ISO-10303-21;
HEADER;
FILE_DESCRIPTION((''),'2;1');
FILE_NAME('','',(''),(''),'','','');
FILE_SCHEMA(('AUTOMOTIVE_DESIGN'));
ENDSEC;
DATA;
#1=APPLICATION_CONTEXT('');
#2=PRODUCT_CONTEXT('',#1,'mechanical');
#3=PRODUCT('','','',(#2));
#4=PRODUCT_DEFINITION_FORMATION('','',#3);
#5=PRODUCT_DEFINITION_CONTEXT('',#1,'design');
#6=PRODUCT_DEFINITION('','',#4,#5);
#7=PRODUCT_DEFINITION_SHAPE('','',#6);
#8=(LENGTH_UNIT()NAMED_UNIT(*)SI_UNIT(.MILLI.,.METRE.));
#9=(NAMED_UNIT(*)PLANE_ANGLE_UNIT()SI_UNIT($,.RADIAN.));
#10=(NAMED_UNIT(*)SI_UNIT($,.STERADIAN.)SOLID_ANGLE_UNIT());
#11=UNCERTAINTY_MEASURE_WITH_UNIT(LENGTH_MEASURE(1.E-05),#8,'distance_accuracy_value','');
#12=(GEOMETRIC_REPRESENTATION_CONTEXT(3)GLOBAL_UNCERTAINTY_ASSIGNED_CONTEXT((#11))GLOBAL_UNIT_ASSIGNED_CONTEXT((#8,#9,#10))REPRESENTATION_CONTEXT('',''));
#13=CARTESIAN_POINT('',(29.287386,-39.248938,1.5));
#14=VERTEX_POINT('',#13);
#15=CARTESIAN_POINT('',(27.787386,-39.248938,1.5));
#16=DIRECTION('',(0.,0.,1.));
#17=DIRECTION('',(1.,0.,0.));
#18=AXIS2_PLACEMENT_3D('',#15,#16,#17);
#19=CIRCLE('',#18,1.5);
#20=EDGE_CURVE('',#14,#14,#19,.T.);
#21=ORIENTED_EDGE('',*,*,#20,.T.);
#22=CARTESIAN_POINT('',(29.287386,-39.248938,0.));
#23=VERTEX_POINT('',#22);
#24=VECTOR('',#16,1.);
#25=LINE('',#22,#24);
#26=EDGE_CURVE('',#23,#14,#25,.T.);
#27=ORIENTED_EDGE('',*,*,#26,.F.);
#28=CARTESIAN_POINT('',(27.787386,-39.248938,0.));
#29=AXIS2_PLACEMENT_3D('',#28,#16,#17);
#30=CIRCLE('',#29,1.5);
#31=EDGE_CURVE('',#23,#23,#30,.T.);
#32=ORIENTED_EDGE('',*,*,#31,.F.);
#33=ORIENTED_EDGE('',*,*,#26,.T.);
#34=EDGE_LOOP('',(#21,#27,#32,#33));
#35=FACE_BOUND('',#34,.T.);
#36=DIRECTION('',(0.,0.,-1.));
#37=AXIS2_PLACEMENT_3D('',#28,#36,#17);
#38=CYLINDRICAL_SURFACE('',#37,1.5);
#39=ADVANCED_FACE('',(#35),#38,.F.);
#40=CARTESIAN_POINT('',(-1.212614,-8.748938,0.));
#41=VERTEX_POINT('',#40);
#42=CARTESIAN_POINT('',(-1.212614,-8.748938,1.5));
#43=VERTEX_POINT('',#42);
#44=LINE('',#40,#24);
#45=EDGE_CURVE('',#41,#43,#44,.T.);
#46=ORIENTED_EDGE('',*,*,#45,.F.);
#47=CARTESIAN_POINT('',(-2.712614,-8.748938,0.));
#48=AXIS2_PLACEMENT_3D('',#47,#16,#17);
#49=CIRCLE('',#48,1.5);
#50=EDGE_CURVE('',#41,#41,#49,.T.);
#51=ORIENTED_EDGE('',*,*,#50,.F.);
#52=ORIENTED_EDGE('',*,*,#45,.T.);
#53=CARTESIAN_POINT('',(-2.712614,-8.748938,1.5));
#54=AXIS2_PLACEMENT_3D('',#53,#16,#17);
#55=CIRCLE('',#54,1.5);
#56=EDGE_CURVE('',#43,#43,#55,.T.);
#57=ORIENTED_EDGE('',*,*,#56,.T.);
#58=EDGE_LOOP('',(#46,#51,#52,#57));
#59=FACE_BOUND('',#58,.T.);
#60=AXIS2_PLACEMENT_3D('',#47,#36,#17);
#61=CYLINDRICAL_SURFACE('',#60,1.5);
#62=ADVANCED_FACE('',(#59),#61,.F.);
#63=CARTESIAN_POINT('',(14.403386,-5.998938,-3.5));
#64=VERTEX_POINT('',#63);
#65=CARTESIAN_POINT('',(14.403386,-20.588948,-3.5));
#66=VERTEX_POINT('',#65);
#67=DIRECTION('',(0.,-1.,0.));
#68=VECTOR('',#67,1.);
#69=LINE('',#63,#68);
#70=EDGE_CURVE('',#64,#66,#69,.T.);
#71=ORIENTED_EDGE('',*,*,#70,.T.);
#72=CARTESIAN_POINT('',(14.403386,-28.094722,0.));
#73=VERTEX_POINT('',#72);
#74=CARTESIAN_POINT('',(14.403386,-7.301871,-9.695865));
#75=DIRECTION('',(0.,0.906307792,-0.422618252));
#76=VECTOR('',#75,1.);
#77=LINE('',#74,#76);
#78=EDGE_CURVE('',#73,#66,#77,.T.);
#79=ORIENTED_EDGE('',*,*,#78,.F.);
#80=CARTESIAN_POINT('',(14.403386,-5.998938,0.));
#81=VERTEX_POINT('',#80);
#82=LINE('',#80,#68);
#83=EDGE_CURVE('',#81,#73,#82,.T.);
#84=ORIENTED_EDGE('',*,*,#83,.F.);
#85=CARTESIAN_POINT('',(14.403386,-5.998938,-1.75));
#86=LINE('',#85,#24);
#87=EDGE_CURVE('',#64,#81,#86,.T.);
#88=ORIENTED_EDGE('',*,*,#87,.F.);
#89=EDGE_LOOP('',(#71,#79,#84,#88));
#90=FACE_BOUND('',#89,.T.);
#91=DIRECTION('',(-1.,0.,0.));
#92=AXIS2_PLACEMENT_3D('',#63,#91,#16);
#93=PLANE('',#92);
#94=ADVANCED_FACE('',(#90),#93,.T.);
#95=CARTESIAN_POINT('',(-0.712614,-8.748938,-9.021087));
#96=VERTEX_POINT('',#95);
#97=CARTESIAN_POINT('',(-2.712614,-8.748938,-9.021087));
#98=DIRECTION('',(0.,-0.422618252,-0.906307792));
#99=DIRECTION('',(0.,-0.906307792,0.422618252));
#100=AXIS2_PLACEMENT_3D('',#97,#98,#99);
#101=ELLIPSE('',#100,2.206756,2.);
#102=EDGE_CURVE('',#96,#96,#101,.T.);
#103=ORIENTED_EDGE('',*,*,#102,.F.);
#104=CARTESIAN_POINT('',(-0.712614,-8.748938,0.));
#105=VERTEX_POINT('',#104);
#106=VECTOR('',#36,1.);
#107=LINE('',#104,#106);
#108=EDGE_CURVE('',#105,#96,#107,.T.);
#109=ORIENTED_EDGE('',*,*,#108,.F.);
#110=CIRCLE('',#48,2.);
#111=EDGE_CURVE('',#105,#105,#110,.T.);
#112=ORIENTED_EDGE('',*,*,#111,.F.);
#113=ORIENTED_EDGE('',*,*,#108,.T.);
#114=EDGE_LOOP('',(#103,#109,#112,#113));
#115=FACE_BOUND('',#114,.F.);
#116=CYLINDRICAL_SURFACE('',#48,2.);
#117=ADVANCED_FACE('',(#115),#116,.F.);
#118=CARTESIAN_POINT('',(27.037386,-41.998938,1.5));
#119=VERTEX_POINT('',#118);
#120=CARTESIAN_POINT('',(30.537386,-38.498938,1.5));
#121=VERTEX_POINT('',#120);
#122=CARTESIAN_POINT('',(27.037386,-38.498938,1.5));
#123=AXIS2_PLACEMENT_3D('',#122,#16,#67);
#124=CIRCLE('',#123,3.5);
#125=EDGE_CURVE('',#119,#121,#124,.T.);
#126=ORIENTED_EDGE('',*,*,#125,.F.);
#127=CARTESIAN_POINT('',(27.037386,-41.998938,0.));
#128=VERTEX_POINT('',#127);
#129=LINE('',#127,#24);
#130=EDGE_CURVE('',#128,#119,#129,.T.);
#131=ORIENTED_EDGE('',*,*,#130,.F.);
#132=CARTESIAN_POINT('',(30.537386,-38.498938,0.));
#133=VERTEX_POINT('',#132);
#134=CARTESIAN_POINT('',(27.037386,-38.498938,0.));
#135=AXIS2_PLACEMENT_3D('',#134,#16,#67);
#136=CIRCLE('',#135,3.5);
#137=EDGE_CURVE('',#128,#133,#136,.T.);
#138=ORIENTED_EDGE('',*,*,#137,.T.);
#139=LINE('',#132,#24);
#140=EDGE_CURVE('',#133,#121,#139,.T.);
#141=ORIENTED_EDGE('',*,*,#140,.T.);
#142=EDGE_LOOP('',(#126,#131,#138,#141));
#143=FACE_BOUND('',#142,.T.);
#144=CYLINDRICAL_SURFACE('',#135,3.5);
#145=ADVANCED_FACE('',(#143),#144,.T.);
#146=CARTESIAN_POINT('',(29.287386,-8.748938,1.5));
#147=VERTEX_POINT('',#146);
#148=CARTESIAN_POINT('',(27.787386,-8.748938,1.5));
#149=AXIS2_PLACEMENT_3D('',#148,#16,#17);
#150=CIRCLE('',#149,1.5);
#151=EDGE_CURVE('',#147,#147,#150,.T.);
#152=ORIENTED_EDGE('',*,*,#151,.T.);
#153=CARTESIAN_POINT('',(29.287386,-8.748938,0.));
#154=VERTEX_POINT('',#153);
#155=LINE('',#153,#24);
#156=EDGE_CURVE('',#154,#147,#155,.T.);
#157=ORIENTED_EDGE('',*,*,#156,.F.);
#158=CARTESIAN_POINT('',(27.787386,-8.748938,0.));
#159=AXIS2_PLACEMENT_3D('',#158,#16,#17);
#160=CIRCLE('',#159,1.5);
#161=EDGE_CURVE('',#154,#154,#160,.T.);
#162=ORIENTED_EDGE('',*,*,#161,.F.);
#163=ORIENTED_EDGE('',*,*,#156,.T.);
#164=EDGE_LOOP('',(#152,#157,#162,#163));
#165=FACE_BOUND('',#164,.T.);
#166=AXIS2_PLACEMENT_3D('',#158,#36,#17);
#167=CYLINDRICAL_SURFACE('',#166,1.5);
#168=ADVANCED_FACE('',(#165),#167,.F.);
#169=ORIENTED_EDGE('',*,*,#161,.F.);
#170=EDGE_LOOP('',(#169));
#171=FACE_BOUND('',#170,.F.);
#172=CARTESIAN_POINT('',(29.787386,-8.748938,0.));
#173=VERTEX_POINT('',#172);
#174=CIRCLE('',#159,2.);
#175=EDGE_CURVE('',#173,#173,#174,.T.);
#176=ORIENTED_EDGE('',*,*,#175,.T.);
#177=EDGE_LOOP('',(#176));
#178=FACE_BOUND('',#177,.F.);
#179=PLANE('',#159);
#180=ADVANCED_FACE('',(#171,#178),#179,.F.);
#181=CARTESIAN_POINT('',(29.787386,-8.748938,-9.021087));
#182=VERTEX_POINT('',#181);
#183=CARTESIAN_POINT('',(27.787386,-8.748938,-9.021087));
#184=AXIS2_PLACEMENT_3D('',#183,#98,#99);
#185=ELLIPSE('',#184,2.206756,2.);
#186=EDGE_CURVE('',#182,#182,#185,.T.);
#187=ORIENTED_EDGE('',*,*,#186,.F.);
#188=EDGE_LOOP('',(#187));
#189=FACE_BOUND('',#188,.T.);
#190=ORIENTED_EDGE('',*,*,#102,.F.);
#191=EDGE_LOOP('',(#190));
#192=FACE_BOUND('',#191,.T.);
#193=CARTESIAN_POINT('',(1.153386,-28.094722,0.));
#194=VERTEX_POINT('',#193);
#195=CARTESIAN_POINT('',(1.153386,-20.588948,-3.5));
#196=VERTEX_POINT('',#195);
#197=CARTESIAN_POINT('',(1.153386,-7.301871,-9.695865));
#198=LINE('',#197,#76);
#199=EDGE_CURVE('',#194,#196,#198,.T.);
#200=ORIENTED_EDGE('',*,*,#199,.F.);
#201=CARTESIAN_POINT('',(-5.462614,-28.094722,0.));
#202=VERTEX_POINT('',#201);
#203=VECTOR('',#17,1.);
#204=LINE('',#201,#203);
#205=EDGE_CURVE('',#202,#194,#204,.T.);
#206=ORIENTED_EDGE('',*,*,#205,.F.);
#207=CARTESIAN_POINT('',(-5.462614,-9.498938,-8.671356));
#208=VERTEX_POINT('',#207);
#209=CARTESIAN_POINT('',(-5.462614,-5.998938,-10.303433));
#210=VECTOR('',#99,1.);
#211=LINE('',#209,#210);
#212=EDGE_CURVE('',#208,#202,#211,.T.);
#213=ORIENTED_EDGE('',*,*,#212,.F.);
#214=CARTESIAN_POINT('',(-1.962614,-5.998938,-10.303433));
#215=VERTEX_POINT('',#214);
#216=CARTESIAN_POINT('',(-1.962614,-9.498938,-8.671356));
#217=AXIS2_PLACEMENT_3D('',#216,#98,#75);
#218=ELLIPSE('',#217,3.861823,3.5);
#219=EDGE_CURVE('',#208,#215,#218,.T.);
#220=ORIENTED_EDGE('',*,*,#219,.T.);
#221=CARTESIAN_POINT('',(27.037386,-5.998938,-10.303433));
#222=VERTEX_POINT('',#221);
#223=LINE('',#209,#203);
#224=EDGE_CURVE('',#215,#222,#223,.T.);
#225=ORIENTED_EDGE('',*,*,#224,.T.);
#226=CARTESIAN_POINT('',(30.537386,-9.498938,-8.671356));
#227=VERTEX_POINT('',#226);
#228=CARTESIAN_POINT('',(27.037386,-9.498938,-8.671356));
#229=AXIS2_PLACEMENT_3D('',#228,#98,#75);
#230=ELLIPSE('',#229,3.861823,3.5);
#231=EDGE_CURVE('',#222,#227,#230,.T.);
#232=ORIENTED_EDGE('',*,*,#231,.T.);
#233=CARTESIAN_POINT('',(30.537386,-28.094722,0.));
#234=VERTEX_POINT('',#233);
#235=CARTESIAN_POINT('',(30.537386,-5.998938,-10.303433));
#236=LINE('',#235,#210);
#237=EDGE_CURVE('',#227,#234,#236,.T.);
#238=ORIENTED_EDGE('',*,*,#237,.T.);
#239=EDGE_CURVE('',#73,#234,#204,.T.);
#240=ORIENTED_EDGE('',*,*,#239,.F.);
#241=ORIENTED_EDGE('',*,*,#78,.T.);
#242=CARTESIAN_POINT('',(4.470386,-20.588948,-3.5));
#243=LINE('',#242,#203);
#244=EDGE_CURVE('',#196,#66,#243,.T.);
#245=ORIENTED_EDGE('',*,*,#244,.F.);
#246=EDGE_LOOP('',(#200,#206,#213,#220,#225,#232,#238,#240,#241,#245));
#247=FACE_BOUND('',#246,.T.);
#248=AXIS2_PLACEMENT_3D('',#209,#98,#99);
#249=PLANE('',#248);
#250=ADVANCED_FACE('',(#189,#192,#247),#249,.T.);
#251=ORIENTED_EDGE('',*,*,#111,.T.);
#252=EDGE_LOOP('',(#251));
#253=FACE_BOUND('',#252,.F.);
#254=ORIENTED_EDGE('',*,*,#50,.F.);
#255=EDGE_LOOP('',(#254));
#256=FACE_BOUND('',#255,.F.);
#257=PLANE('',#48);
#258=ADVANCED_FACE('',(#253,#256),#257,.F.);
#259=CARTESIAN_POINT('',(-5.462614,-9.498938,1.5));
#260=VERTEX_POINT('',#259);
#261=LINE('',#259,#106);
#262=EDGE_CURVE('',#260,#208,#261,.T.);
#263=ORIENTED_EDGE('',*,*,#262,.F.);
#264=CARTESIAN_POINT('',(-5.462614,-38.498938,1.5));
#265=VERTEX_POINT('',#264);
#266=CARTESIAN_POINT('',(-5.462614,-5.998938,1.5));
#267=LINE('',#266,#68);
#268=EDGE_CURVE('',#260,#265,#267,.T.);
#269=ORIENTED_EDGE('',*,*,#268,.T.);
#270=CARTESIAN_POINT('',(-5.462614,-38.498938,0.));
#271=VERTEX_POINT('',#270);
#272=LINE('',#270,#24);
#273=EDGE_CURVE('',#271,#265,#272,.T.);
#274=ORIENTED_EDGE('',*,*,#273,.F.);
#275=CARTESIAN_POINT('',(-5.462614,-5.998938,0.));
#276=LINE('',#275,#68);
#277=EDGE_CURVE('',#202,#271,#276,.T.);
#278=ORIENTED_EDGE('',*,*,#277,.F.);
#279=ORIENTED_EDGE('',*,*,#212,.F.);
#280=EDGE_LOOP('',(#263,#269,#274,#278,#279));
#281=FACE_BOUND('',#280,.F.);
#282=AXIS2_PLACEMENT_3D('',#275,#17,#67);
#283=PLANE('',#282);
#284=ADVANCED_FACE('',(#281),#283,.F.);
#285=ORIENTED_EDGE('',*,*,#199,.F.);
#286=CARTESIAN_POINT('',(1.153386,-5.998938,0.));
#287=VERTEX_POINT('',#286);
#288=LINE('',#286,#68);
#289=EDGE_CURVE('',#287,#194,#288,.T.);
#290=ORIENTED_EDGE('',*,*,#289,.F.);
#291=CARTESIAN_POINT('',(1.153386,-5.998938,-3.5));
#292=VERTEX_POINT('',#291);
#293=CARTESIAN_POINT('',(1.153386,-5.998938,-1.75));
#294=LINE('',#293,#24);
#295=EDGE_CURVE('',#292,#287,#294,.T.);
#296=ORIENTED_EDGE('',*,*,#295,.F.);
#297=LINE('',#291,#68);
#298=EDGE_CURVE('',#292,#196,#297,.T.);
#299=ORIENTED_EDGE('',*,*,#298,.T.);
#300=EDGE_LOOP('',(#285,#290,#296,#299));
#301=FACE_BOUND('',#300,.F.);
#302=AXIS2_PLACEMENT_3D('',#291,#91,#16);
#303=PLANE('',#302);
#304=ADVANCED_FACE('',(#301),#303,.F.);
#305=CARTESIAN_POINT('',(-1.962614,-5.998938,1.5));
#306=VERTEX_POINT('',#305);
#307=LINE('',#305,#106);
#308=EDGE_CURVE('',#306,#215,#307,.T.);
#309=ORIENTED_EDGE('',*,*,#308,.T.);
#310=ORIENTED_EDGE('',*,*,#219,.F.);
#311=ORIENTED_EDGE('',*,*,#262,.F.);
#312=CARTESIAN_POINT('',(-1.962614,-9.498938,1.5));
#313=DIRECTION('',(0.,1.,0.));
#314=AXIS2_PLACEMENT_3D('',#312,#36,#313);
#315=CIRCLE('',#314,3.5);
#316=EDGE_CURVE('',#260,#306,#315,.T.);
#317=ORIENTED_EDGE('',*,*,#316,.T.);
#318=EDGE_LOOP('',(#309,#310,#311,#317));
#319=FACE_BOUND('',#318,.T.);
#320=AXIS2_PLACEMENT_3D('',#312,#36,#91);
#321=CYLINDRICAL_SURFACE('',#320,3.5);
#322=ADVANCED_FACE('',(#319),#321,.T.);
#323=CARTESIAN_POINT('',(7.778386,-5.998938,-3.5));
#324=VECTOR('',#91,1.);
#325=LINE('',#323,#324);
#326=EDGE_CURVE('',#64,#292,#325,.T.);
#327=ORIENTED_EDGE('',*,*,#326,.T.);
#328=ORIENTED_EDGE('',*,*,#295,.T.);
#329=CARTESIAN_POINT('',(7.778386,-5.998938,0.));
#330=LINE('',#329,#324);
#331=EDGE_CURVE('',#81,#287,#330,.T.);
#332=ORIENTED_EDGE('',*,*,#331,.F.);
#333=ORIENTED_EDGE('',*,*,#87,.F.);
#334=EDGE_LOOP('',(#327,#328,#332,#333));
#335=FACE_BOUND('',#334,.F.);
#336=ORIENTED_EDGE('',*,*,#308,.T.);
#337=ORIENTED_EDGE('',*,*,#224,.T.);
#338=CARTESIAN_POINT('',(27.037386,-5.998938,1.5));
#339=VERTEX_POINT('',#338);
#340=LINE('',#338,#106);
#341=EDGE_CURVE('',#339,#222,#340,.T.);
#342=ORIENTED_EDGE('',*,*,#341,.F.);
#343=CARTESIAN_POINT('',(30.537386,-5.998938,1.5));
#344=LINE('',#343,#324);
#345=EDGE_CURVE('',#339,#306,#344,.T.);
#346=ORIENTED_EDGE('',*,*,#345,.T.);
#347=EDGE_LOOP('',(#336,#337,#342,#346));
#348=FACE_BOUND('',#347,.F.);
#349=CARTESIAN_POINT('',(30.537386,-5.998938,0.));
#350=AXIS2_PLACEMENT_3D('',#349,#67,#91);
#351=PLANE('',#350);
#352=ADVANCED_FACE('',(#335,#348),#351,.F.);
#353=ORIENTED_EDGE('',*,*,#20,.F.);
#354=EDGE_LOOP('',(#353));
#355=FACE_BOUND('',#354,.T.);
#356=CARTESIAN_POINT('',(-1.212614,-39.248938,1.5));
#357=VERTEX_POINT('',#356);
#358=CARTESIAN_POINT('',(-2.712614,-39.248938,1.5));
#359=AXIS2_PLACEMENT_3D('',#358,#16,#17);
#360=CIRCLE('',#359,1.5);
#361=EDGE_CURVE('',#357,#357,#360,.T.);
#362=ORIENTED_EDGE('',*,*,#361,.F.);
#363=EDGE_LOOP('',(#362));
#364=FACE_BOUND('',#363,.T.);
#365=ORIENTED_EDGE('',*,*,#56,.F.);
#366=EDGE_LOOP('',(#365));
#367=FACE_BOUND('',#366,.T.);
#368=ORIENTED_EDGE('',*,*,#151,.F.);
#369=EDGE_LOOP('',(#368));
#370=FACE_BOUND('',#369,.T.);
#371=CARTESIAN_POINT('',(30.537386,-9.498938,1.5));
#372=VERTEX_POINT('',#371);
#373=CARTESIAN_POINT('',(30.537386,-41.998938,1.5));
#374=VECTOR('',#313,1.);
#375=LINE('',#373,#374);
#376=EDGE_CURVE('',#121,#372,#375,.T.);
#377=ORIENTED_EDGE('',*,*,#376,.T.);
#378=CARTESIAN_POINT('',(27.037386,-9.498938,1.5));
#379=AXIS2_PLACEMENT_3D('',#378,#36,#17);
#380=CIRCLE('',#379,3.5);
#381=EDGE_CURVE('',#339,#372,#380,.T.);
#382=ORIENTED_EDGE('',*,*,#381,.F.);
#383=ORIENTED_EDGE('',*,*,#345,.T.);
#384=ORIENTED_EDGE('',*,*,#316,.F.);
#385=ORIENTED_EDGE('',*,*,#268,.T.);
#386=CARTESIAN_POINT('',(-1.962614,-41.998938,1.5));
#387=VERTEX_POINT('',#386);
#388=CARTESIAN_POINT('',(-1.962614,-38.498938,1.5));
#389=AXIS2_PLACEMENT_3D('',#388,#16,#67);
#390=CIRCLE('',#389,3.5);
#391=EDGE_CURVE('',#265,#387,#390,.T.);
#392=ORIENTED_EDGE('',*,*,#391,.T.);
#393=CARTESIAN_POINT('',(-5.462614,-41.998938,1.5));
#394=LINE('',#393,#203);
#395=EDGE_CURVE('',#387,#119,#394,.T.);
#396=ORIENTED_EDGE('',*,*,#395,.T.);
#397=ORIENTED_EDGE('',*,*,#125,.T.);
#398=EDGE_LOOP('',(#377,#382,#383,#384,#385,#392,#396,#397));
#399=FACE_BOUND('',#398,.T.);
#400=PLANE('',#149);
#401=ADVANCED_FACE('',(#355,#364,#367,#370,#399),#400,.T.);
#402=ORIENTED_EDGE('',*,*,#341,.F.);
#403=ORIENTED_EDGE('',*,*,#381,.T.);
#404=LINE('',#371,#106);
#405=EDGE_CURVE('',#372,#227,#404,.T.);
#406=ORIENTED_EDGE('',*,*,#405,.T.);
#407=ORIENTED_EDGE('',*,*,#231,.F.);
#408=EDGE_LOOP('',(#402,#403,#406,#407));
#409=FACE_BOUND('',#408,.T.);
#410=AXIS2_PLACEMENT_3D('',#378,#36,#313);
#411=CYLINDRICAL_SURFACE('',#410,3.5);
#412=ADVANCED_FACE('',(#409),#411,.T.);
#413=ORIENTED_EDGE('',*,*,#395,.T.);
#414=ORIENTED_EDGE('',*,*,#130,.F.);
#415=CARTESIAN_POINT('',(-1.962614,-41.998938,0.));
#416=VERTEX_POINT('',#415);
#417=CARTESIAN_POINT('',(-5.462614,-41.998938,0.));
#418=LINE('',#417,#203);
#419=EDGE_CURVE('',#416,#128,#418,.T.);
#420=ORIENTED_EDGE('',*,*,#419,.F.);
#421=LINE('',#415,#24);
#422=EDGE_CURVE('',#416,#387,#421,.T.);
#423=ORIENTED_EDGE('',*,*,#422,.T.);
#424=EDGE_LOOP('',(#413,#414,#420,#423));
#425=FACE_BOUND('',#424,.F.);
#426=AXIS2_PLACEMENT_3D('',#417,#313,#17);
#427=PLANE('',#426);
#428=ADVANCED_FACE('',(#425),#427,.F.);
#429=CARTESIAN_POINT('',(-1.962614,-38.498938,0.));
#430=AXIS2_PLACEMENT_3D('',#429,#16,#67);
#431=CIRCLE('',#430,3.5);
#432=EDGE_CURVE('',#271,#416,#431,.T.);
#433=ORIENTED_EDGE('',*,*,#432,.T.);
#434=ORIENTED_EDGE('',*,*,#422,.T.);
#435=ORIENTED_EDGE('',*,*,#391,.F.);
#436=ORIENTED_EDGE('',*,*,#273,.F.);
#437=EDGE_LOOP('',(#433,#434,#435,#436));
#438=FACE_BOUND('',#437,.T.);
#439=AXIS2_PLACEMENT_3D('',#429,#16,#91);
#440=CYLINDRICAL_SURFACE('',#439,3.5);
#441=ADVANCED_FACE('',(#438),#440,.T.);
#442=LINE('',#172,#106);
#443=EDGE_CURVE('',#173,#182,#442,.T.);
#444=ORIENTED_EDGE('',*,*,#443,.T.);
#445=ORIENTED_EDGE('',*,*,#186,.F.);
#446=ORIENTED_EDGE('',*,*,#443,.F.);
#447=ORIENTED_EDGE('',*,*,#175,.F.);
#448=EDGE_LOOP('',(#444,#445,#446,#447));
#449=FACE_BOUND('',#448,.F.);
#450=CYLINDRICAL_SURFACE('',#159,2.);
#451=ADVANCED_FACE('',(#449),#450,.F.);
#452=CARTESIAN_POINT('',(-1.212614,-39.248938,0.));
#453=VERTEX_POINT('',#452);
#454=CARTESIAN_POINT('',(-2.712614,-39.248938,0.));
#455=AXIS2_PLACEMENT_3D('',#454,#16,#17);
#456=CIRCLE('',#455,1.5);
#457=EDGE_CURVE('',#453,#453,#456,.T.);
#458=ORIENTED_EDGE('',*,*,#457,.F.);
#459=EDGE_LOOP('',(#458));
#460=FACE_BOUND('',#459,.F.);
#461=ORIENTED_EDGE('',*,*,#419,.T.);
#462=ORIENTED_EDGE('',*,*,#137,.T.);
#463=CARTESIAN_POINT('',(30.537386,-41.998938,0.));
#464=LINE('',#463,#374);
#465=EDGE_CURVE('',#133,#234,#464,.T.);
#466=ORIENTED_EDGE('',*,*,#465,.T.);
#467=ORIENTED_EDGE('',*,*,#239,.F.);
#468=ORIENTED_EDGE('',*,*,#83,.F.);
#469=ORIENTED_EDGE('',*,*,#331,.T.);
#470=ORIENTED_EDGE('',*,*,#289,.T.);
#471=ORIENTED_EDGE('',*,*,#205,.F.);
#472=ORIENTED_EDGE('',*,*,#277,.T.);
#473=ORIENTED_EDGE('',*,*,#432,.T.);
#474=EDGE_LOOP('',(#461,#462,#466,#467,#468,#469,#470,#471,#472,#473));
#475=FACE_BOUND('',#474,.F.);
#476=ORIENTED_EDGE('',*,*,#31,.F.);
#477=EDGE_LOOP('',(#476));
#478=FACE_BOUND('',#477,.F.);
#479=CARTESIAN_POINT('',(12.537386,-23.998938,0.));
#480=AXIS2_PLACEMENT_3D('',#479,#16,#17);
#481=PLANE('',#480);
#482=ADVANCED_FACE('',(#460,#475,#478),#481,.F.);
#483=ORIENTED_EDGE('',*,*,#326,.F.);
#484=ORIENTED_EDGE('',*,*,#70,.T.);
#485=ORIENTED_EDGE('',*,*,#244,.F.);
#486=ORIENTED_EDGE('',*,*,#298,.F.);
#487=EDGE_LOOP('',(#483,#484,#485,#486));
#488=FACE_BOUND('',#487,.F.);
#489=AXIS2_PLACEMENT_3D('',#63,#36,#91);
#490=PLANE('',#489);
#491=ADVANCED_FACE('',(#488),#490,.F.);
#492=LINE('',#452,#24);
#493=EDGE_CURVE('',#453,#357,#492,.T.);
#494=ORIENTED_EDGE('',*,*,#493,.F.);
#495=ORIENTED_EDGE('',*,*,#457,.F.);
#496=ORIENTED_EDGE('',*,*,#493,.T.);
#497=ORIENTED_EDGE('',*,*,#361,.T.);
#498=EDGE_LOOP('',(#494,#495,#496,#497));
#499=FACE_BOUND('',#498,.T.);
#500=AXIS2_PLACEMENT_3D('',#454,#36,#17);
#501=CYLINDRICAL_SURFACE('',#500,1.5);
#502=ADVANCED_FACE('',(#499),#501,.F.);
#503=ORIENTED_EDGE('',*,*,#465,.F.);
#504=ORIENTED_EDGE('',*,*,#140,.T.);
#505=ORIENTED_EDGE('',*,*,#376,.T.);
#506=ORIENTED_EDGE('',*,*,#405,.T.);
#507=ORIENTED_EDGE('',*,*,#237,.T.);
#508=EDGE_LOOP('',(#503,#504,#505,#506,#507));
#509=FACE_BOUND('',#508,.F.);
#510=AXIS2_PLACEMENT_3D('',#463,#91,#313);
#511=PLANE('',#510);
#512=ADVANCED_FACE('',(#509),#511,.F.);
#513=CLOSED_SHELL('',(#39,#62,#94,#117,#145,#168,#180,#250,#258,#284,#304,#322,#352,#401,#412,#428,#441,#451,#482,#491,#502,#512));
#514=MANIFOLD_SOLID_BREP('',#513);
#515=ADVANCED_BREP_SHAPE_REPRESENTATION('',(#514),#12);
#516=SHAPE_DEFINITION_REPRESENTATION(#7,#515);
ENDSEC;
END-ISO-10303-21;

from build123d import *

# Parameters (mm, degrees)
F0_R     = 1.5
F0_R_2   = 2
F1_DEPTH = 1.5
F3_DEPTH = 36
F4_W     = 13.25
F4_H     = 3.5
F5_DEPTH = 25
F6_DEPTH = 25
F7_DEPTH = 1.5
F8_R     = 3.5


with BuildPart() as f1:
    # F0 (on Top) → F1 (new body)
    with BuildSketch(Plane.XY):
        Polygon((-4.012614, -5.998938), (-5.462614, -5.998938), (-5.462614, -11.098938), (-5.462614, -36.898938), (-5.462614, -41.998938), (-4.012614, -41.998938), (29.087386, -41.998938), (30.537386, -41.998938), (30.537386, -36.898938), (30.537386, -11.098938), (30.537386, -5.998938), (29.087386, -5.998938), align=None)
        with Locations((-2.712614, -39.248938)):
            Circle(F0_R, mode=Mode.SUBTRACT)
        with Locations((27.787386, -39.248938)):
            Circle(F0_R, mode=Mode.SUBTRACT)
        with Locations((-2.712614, -8.748938)):
            Circle(F0_R_2, mode=Mode.SUBTRACT)
        with Locations((27.787386, -8.748938)):
            Circle(F0_R_2, mode=Mode.SUBTRACT)
    extrude(amount=F1_DEPTH)

    # F2 (on face) → F3 (join)
    with BuildSketch(Plane(origin=(-5.462614, 0, 0), x_dir=(0, -1, 0), z_dir=(-1, 0, 0))):
        Polygon((28.094722, 0), (5.998938, 0), (5.998938, -10.303433), align=None)
    extrude(amount=-F3_DEPTH)

    # F4 (on face) → F5 (cut)
    with BuildSketch(Plane(origin=(0, -5.998938, 0), x_dir=(-1, 0, 0), z_dir=(0, 1, 0))):
        with Locations((-7.778386, -1.75)):
            Rectangle(F4_W, F4_H)
    extrude(amount=-F5_DEPTH, mode=Mode.SUBTRACT)

    # F0 (on Top) → F6 (cut)
    with BuildSketch(Plane.XY):
        with Locations((27.787386, -8.748938)):
            Circle(F0_R_2)
        with Locations((27.787386, -8.748938)):
            Circle(F0_R, mode=Mode.SUBTRACT)
        with Locations((-2.712614, -8.748938)):
            Circle(F0_R_2)
        with Locations((-2.712614, -8.748938)):
            Circle(F0_R, mode=Mode.SUBTRACT)
        with Locations((-2.712614, -8.748938)):
            Circle(F0_R)
        with Locations((27.787386, -8.748938)):
            Circle(F0_R)
    extrude(amount=-F6_DEPTH, mode=Mode.SUBTRACT)

    # F0 (on Top) → F7 (join)
    with BuildSketch(Plane.XY):
        with Locations((27.787386, -8.748938)):
            Circle(F0_R_2)
        with Locations((27.787386, -8.748938)):
            Circle(F0_R, mode=Mode.SUBTRACT)
        with Locations((-2.712614, -8.748938)):
            Circle(F0_R_2)
        with Locations((-2.712614, -8.748938)):
            Circle(F0_R, mode=Mode.SUBTRACT)
    extrude(amount=F7_DEPTH)

    # F8
    f8_edges = [f1.edges().sort_by_distance(p)[0] for p in [
        (-5.462614, -5.998938, -4.401717),
        (-5.462614, -41.998938, 0.75),
        (30.537386, -5.998938, -4.401717),
        (30.537386, -41.998938, 0.75),
    ]]
    fillet(f8_edges, radius=F8_R)


solid = f1.part
